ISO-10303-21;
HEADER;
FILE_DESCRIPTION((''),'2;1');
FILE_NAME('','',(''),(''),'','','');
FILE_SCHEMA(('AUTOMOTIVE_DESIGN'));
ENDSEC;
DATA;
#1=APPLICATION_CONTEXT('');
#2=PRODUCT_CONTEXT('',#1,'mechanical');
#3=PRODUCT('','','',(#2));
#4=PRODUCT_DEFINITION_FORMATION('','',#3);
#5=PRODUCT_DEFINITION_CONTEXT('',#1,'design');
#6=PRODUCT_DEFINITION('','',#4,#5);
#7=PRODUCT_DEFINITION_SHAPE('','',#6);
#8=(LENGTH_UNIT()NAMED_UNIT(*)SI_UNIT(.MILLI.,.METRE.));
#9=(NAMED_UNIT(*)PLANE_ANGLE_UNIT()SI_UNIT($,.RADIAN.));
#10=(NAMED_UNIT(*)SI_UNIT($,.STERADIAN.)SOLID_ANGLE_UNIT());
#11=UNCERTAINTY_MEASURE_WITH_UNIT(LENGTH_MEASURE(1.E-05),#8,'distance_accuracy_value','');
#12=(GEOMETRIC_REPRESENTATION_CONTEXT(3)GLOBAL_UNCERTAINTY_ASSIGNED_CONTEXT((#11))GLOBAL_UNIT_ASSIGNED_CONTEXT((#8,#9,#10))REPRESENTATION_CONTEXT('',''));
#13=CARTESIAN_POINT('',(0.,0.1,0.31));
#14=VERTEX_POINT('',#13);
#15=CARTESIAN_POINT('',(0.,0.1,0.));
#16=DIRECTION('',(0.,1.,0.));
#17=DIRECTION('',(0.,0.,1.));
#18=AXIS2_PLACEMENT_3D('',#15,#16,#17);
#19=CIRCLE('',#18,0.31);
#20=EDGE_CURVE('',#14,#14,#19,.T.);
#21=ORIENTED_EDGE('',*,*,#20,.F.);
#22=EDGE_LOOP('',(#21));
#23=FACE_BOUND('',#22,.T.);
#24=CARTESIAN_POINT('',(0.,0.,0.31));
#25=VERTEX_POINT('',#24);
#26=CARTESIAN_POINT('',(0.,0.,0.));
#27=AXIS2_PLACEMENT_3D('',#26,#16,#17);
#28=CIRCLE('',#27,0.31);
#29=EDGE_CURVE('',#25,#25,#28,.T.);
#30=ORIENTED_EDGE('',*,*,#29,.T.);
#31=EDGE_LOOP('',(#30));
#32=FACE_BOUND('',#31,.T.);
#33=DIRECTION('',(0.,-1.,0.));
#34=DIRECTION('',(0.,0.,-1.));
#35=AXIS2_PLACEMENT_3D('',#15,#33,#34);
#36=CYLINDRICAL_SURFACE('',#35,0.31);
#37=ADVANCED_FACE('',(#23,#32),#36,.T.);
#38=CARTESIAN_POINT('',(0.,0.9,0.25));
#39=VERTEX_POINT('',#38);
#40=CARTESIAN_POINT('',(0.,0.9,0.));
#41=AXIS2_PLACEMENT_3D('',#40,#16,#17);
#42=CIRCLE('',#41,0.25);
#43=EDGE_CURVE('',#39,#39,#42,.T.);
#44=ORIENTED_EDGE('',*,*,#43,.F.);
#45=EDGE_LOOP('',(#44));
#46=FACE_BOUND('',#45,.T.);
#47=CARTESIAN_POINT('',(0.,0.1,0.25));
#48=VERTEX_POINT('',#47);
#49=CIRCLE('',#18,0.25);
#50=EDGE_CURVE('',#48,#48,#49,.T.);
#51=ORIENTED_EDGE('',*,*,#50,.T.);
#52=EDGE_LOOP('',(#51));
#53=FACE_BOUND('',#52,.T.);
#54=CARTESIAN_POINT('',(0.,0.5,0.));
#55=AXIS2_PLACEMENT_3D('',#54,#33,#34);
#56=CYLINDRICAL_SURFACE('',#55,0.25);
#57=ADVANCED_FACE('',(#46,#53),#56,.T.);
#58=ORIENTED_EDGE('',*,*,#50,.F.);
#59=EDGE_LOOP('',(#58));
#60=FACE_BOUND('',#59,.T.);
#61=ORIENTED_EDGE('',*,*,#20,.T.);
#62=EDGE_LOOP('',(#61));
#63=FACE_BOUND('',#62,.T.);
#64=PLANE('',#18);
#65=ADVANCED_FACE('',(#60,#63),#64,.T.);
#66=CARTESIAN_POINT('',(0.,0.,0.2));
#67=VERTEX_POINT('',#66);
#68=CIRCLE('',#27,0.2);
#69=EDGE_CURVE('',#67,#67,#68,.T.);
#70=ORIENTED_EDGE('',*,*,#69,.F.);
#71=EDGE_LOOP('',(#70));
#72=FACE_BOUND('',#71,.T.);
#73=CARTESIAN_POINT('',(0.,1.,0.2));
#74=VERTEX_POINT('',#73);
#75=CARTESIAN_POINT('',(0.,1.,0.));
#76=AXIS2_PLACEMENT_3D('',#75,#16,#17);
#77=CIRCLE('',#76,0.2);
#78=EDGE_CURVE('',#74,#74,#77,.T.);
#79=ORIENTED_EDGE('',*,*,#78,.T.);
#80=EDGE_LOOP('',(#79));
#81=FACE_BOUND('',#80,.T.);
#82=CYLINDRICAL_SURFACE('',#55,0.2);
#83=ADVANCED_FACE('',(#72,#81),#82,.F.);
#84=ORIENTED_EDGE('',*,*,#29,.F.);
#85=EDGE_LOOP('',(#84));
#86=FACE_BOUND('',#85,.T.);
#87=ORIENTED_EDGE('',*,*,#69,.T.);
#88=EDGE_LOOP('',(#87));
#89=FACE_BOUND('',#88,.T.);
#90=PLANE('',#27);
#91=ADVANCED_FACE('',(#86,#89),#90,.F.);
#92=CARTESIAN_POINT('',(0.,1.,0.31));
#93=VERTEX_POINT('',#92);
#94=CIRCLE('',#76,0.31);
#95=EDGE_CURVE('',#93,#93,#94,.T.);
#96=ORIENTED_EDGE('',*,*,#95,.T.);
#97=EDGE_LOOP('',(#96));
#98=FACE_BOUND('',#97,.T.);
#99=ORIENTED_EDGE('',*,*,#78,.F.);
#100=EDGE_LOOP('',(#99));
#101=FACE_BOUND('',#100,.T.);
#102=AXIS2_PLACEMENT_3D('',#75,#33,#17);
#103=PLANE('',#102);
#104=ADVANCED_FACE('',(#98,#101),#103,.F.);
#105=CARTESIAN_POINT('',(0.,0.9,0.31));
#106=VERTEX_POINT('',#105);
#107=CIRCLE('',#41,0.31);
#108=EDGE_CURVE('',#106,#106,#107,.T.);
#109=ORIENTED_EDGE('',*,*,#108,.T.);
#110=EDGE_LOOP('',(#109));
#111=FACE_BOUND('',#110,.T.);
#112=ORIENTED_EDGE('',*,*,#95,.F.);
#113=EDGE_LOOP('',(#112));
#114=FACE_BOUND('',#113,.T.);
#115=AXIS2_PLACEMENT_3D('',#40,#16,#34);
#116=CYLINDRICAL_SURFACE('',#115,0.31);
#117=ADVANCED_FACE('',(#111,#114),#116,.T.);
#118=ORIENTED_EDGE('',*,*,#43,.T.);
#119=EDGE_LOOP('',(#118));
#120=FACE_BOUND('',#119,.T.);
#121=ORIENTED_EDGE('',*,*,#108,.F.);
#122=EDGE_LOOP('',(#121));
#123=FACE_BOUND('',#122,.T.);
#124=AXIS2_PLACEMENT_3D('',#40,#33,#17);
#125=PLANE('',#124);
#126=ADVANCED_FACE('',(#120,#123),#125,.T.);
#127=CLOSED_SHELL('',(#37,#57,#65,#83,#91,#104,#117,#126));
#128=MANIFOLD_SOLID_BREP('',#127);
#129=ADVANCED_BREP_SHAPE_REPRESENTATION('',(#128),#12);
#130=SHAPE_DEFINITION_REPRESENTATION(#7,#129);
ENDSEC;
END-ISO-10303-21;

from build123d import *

# Parameters (mm, degrees)
SKETCH3_R   = 0.25
SKETCH3_R_2 = 0.2
SKETCH6_R   = 0.31
SKETCH6_R_2 = 0.21


with BuildPart() as part:
    # Sweep-Thin1: sweep along a path in Sketch1
    with BuildLine(Plane.XY) as sweep_thin1_path:
        Line((0, 0), (0, 0.5))
    # Sketch3 → Sweep-Thin1 (sweep)
    with BuildSketch(Plane(origin=(0, 0, 0), x_dir=(1, 0, 0), z_dir=(0, 1, 0))):
        Circle(SKETCH3_R)
        Circle(SKETCH3_R_2, mode=Mode.SUBTRACT)
    sweep(path=sweep_thin1_path.line)

    # Sweep-Thin2: sweep along a path in Sketch5
    with BuildLine(Plane.XY) as sweep_thin2_path:
        Line((0, 0), (0, 0.1))
    # Sketch6 → Sweep-Thin2 (sweep)
    with BuildSketch(Plane(origin=(0, 0, 0), x_dir=(1, 0, 0), z_dir=(0, 1, 0))):
        Circle(SKETCH6_R)
        Circle(SKETCH6_R_2, mode=Mode.SUBTRACT)
    sweep(path=sweep_thin2_path.line)

    # Mirror2: part across plane


with BuildPart() as part_1:
    add(part.part)
    add(part.part.mirror(Plane.ZX.offset(0.5)))


solid = part_1.part
